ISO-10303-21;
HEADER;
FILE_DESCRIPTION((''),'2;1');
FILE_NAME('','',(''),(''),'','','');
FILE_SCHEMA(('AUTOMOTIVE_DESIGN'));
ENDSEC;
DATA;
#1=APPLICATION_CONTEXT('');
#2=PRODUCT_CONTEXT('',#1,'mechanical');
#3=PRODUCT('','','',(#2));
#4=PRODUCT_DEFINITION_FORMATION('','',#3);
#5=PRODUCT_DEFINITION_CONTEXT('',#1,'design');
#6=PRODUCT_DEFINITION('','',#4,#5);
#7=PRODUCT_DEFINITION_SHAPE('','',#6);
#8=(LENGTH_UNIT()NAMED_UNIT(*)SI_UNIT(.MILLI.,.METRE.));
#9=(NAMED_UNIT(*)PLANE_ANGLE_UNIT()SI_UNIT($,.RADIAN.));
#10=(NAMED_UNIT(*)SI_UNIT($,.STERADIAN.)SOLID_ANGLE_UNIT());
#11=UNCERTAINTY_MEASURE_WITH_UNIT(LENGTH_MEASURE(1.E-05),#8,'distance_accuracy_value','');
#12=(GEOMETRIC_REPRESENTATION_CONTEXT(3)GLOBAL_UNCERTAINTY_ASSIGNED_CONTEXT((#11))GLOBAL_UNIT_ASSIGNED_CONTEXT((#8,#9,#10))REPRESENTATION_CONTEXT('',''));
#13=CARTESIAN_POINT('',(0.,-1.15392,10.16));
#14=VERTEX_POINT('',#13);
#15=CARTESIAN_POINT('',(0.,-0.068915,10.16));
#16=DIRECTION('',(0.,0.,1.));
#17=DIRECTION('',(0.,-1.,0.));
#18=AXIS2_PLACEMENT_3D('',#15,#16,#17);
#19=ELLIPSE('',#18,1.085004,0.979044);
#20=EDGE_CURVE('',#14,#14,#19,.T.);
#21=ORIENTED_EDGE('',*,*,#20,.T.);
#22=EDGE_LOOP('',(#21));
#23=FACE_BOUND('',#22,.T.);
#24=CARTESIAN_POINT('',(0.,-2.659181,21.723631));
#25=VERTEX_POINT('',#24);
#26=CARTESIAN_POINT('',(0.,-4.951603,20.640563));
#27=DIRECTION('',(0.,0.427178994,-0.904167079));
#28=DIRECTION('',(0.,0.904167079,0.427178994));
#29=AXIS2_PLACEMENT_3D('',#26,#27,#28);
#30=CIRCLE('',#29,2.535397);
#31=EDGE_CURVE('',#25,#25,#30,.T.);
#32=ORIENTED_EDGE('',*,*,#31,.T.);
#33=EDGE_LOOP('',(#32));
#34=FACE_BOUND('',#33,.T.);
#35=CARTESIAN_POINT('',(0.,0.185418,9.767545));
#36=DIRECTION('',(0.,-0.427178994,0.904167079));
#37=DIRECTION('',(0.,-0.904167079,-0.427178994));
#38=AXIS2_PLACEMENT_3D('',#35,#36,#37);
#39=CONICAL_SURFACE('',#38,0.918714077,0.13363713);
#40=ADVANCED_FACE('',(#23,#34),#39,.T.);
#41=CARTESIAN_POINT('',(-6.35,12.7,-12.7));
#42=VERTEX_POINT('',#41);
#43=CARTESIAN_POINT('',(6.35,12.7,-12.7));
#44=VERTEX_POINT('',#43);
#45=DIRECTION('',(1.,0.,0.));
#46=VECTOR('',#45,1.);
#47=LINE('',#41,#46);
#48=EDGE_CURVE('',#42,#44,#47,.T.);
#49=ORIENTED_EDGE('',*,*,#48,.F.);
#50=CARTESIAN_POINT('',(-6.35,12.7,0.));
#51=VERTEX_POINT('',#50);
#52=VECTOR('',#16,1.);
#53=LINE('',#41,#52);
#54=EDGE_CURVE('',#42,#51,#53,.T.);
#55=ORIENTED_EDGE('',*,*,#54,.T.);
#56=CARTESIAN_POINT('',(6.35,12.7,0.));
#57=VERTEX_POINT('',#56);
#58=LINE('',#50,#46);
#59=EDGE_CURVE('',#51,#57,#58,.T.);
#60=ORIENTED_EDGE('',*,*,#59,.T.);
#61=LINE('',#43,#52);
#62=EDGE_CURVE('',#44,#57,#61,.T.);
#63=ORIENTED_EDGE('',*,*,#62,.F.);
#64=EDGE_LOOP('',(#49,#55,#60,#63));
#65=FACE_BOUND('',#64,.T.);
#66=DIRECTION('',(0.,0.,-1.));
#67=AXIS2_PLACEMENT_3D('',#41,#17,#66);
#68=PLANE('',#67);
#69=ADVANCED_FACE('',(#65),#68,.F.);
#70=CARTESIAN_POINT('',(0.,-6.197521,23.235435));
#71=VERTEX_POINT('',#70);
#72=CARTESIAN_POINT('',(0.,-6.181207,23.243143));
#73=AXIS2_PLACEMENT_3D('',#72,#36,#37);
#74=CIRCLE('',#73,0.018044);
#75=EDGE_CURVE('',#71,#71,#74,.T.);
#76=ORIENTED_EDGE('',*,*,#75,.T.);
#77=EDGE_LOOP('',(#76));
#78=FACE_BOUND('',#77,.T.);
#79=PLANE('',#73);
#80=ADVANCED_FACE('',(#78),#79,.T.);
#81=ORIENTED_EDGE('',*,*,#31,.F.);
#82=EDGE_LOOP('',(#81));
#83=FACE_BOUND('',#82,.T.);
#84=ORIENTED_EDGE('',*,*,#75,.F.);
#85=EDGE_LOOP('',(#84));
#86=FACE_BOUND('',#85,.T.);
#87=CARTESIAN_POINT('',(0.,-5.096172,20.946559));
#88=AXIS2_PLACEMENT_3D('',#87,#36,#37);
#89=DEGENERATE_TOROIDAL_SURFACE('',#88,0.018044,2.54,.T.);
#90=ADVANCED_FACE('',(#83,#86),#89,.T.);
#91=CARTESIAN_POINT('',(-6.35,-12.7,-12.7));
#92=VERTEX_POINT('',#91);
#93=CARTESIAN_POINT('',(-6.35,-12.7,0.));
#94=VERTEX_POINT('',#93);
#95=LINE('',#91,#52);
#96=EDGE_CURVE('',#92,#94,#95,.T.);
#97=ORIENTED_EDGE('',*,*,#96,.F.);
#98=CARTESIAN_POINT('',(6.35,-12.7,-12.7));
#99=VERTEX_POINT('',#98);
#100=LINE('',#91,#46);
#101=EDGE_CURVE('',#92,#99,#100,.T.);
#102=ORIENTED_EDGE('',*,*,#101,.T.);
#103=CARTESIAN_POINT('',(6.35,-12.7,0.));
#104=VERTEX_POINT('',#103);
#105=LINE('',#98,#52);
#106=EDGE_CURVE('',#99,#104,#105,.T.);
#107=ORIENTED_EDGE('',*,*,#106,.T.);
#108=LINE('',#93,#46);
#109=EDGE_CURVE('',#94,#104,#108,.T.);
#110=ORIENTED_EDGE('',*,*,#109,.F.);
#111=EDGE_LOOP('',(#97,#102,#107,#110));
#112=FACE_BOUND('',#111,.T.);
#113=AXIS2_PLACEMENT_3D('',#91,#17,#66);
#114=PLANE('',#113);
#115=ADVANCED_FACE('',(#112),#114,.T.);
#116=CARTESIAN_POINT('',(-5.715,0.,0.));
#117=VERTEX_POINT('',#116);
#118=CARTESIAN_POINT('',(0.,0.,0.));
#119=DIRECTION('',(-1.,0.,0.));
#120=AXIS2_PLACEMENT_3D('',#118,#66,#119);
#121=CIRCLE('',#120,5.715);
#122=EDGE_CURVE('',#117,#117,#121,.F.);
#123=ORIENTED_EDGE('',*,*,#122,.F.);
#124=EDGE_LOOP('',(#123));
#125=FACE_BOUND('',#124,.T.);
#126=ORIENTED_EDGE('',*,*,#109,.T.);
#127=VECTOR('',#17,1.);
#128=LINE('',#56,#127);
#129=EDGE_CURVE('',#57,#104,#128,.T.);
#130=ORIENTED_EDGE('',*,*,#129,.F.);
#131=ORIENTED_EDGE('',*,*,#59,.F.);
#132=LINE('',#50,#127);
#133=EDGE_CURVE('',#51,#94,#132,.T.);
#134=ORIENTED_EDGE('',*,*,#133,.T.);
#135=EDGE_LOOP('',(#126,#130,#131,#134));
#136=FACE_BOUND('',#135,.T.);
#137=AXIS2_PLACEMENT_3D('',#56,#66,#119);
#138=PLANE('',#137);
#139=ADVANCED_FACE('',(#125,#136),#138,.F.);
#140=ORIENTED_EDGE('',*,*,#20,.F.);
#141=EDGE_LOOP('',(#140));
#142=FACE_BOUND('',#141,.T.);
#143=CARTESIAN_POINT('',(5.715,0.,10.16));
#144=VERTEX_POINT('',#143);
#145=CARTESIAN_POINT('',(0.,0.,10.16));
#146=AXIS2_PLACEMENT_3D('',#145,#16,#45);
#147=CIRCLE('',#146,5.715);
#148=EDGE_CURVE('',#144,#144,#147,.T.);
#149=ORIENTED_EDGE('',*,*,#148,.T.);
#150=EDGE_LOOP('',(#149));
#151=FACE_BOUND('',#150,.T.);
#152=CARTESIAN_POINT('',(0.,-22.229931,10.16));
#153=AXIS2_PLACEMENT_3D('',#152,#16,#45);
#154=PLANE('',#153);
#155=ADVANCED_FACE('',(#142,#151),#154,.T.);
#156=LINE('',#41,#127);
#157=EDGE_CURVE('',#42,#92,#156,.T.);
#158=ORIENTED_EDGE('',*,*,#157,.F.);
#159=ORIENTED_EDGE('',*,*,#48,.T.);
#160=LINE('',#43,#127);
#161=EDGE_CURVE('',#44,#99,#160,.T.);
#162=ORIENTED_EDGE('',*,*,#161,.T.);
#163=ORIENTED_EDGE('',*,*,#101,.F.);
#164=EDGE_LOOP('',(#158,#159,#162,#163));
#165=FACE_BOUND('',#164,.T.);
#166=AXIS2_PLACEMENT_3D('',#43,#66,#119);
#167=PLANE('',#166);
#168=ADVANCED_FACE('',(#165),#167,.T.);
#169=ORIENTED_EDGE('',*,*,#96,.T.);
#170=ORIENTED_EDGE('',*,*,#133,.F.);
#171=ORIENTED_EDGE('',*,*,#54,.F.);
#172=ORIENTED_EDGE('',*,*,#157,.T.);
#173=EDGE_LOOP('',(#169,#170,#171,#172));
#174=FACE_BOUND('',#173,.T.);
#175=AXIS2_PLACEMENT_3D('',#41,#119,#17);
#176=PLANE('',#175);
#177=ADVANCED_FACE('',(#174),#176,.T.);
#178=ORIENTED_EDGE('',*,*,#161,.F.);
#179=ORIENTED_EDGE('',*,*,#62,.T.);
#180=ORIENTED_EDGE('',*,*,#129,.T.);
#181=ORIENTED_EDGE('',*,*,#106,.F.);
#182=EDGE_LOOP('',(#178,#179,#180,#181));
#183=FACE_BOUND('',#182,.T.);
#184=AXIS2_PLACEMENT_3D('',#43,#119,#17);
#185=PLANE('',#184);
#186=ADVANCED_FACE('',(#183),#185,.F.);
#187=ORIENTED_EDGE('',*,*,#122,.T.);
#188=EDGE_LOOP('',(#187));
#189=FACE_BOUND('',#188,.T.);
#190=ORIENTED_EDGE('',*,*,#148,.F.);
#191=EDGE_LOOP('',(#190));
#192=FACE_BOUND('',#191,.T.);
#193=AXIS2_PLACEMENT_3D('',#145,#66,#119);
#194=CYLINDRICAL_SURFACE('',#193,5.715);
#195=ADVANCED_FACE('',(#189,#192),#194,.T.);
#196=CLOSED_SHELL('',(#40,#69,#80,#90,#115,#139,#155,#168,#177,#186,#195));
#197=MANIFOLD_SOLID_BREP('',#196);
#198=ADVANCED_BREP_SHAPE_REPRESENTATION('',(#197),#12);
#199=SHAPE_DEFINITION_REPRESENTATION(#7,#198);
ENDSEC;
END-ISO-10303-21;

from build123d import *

# Parameters (mm, degrees)
SKETCH1_W      = 12.7
SKETCH1_H      = 25.4
EXTRUDE1_DEPTH = 12.7
SKETCH1_3_R    = 5.715
EXTRUDE2_DEPTH = 10.16
FILLET1_R      = 2.54


with BuildPart() as part:
    # Sketch1 → Extrude1 (new body)
    with BuildSketch(Plane.XY):
        Rectangle(SKETCH1_W, SKETCH1_H)
    extrude(amount=-EXTRUDE1_DEPTH)

    # Sketch1<3> → Extrude2 (add)
    with BuildSketch(Plane.XY):
        Circle(SKETCH1_3_R)
    extrude(amount=EXTRUDE2_DEPTH)

    # Sketch2 → Revolve1 (revolve)
    with BuildSketch(Plane(origin=(0, 0, 0), x_dir=(0, 0, -1), z_dir=(1, 0, 0))):
        Polygon((-10.16, 1.016088838), (-24.491517392, -3.538898285), (-23.243143226, -6.1812071), (-10.16, 0), align=None)
    revolve(axis=Axis((0, 0, 10.16), (0, -0.4271789944976144, 0.9041670789516765)))

    # Fillet1
    fillet1_edges = [part.edges().sort_by_distance(p)[0] for p in [
        (0, -8.823515916, 21.99476906),
    ]]
    fillet(fillet1_edges, radius=FILLET1_R)


solid = part.part
